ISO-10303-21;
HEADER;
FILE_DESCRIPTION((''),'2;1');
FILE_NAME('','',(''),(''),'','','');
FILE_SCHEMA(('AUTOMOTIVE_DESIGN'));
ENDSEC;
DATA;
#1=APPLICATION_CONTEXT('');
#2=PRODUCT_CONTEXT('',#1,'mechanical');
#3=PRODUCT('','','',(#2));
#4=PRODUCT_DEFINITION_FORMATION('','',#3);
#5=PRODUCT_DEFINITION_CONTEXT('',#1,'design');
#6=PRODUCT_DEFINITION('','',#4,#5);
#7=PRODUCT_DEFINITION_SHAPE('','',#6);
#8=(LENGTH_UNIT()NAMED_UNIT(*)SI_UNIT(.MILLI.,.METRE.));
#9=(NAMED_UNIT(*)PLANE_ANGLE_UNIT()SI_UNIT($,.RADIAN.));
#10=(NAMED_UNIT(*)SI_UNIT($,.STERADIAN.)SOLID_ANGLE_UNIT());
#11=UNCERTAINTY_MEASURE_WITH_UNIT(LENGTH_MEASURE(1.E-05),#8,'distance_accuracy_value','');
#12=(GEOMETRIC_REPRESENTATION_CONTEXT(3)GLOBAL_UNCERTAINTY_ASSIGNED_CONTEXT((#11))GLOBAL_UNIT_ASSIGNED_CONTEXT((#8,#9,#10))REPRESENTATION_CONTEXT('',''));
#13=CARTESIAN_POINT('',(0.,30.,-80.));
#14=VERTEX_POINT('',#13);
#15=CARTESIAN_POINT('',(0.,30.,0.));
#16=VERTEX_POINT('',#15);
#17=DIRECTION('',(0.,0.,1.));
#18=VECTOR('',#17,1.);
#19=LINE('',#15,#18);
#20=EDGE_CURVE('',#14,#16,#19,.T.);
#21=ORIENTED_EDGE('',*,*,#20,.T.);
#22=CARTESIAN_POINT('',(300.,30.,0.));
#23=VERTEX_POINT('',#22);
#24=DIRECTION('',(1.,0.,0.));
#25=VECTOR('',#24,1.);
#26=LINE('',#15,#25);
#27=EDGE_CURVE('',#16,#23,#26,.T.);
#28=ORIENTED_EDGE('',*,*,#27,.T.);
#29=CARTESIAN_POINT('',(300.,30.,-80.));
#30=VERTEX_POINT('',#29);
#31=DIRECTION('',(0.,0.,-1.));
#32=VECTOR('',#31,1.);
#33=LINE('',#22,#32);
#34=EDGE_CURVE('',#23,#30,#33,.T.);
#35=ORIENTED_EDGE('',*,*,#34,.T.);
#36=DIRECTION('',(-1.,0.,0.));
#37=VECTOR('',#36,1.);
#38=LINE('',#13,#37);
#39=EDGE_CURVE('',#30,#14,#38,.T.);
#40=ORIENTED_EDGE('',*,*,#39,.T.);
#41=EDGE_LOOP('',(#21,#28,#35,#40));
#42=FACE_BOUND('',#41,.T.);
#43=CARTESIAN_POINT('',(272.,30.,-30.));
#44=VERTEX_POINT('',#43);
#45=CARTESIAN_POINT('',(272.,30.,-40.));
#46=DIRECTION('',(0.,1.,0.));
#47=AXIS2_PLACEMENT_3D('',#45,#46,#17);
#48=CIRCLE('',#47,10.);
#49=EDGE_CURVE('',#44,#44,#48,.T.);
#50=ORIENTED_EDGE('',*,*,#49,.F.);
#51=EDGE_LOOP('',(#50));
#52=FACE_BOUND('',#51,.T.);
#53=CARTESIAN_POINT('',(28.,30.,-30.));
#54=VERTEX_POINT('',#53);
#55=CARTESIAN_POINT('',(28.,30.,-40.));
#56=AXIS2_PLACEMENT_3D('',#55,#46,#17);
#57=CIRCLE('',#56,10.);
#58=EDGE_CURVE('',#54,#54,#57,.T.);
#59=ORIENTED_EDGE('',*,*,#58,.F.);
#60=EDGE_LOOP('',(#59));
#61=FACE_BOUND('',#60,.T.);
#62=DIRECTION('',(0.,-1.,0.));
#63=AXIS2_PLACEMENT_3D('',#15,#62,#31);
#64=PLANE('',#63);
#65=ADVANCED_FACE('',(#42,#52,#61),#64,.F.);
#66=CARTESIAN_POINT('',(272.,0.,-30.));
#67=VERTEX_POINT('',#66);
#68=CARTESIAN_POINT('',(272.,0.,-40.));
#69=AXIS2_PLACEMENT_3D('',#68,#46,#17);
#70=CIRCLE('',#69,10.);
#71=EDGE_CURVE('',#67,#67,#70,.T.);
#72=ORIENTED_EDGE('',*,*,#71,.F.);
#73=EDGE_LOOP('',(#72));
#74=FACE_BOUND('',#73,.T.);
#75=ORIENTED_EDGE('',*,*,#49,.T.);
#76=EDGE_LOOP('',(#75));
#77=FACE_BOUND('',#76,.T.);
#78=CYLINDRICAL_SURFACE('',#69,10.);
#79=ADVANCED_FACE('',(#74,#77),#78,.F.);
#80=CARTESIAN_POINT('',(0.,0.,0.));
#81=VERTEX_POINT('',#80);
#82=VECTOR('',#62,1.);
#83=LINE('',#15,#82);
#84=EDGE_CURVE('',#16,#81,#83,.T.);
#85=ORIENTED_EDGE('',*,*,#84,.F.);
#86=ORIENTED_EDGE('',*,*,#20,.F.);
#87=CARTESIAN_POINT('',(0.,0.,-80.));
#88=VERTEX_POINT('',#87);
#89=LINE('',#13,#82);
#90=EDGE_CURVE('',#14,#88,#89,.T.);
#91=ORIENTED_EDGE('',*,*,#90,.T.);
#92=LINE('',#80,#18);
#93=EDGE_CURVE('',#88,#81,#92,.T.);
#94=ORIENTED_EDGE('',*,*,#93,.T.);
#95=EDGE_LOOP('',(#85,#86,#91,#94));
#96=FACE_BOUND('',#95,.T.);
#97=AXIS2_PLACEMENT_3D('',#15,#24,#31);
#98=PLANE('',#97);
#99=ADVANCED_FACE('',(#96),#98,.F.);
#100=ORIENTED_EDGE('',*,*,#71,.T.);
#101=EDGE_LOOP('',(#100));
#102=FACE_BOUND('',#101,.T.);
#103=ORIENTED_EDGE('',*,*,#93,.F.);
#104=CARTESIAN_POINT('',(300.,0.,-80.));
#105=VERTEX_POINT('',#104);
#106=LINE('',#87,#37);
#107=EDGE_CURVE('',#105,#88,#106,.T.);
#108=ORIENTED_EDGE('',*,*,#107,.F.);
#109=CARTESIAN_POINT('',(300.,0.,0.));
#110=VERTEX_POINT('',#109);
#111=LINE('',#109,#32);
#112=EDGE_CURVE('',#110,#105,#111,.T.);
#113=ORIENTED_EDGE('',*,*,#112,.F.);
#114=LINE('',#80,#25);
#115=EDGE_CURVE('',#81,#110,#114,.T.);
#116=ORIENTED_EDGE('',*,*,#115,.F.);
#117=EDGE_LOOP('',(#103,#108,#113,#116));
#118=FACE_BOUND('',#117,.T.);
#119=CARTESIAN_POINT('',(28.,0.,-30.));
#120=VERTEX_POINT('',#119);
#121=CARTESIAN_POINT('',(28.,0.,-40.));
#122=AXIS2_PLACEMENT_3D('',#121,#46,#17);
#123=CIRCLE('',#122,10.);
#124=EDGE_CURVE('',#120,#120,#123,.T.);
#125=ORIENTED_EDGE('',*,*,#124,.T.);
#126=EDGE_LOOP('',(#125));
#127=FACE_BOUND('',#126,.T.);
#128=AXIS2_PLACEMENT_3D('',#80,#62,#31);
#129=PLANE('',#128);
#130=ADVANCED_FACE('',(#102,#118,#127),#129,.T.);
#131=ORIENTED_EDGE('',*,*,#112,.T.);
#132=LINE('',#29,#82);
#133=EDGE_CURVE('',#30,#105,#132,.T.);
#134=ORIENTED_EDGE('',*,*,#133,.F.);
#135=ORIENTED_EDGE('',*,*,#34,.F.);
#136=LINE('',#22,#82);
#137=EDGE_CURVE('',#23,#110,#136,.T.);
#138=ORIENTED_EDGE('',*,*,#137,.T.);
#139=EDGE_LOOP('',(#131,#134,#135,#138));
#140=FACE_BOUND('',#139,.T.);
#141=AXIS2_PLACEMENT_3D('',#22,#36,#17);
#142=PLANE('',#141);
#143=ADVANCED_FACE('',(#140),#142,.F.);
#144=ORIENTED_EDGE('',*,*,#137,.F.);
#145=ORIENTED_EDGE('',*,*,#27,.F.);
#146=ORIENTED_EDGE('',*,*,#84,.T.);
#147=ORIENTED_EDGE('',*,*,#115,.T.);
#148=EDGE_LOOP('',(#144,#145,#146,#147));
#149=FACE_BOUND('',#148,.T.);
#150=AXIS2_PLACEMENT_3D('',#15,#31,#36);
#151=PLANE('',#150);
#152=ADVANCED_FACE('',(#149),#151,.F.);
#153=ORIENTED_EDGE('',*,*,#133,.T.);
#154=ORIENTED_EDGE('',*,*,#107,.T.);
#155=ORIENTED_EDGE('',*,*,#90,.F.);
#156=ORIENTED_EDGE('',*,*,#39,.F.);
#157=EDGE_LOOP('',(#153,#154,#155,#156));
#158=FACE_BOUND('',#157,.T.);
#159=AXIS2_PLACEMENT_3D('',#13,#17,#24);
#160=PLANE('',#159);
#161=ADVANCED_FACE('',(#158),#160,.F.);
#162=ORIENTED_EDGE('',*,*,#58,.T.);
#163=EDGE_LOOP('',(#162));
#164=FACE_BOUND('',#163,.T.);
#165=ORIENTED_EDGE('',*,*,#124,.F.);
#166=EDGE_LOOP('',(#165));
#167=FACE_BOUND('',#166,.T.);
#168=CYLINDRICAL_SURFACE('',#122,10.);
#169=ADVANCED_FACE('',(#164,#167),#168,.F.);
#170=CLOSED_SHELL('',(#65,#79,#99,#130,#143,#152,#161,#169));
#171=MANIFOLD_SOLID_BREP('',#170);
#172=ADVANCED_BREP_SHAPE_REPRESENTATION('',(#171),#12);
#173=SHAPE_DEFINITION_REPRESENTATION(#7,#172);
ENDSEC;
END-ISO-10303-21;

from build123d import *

# Parameters (mm, degrees)
SKETCH1_W           = 300
SKETCH1_H           = 80
BOSS_EXTRUDE1_DEPTH = 30
SKETCH2_R           = 10
CUT_EXTRUDE1_DEPTH  = 312.92947921


with BuildPart() as part:
    # Sketch1 → Boss-Extrude1 (new body)
    with BuildSketch(Plane(origin=(0, 0, 0), x_dir=(1, 0, 0), z_dir=(0, 1, 0))):
        with Locations((150, 40)):
            Rectangle(SKETCH1_W, SKETCH1_H)
    extrude(amount=BOSS_EXTRUDE1_DEPTH)

    # Sketch2 → Cut-Extrude1 (cut, through all)
    with BuildSketch(Plane(origin=(0, 30, 0), x_dir=(1, 0, 0), z_dir=(0, 1, 0))):
        with Locations(Location((28, 40, 0), (0, 0, 270))):
            Circle(SKETCH2_R)
        with Locations(Location((272, 40, 0), (0, 0, 270))):
            Circle(SKETCH2_R)
    extrude(amount=-CUT_EXTRUDE1_DEPTH, mode=Mode.SUBTRACT)


solid = part.part
